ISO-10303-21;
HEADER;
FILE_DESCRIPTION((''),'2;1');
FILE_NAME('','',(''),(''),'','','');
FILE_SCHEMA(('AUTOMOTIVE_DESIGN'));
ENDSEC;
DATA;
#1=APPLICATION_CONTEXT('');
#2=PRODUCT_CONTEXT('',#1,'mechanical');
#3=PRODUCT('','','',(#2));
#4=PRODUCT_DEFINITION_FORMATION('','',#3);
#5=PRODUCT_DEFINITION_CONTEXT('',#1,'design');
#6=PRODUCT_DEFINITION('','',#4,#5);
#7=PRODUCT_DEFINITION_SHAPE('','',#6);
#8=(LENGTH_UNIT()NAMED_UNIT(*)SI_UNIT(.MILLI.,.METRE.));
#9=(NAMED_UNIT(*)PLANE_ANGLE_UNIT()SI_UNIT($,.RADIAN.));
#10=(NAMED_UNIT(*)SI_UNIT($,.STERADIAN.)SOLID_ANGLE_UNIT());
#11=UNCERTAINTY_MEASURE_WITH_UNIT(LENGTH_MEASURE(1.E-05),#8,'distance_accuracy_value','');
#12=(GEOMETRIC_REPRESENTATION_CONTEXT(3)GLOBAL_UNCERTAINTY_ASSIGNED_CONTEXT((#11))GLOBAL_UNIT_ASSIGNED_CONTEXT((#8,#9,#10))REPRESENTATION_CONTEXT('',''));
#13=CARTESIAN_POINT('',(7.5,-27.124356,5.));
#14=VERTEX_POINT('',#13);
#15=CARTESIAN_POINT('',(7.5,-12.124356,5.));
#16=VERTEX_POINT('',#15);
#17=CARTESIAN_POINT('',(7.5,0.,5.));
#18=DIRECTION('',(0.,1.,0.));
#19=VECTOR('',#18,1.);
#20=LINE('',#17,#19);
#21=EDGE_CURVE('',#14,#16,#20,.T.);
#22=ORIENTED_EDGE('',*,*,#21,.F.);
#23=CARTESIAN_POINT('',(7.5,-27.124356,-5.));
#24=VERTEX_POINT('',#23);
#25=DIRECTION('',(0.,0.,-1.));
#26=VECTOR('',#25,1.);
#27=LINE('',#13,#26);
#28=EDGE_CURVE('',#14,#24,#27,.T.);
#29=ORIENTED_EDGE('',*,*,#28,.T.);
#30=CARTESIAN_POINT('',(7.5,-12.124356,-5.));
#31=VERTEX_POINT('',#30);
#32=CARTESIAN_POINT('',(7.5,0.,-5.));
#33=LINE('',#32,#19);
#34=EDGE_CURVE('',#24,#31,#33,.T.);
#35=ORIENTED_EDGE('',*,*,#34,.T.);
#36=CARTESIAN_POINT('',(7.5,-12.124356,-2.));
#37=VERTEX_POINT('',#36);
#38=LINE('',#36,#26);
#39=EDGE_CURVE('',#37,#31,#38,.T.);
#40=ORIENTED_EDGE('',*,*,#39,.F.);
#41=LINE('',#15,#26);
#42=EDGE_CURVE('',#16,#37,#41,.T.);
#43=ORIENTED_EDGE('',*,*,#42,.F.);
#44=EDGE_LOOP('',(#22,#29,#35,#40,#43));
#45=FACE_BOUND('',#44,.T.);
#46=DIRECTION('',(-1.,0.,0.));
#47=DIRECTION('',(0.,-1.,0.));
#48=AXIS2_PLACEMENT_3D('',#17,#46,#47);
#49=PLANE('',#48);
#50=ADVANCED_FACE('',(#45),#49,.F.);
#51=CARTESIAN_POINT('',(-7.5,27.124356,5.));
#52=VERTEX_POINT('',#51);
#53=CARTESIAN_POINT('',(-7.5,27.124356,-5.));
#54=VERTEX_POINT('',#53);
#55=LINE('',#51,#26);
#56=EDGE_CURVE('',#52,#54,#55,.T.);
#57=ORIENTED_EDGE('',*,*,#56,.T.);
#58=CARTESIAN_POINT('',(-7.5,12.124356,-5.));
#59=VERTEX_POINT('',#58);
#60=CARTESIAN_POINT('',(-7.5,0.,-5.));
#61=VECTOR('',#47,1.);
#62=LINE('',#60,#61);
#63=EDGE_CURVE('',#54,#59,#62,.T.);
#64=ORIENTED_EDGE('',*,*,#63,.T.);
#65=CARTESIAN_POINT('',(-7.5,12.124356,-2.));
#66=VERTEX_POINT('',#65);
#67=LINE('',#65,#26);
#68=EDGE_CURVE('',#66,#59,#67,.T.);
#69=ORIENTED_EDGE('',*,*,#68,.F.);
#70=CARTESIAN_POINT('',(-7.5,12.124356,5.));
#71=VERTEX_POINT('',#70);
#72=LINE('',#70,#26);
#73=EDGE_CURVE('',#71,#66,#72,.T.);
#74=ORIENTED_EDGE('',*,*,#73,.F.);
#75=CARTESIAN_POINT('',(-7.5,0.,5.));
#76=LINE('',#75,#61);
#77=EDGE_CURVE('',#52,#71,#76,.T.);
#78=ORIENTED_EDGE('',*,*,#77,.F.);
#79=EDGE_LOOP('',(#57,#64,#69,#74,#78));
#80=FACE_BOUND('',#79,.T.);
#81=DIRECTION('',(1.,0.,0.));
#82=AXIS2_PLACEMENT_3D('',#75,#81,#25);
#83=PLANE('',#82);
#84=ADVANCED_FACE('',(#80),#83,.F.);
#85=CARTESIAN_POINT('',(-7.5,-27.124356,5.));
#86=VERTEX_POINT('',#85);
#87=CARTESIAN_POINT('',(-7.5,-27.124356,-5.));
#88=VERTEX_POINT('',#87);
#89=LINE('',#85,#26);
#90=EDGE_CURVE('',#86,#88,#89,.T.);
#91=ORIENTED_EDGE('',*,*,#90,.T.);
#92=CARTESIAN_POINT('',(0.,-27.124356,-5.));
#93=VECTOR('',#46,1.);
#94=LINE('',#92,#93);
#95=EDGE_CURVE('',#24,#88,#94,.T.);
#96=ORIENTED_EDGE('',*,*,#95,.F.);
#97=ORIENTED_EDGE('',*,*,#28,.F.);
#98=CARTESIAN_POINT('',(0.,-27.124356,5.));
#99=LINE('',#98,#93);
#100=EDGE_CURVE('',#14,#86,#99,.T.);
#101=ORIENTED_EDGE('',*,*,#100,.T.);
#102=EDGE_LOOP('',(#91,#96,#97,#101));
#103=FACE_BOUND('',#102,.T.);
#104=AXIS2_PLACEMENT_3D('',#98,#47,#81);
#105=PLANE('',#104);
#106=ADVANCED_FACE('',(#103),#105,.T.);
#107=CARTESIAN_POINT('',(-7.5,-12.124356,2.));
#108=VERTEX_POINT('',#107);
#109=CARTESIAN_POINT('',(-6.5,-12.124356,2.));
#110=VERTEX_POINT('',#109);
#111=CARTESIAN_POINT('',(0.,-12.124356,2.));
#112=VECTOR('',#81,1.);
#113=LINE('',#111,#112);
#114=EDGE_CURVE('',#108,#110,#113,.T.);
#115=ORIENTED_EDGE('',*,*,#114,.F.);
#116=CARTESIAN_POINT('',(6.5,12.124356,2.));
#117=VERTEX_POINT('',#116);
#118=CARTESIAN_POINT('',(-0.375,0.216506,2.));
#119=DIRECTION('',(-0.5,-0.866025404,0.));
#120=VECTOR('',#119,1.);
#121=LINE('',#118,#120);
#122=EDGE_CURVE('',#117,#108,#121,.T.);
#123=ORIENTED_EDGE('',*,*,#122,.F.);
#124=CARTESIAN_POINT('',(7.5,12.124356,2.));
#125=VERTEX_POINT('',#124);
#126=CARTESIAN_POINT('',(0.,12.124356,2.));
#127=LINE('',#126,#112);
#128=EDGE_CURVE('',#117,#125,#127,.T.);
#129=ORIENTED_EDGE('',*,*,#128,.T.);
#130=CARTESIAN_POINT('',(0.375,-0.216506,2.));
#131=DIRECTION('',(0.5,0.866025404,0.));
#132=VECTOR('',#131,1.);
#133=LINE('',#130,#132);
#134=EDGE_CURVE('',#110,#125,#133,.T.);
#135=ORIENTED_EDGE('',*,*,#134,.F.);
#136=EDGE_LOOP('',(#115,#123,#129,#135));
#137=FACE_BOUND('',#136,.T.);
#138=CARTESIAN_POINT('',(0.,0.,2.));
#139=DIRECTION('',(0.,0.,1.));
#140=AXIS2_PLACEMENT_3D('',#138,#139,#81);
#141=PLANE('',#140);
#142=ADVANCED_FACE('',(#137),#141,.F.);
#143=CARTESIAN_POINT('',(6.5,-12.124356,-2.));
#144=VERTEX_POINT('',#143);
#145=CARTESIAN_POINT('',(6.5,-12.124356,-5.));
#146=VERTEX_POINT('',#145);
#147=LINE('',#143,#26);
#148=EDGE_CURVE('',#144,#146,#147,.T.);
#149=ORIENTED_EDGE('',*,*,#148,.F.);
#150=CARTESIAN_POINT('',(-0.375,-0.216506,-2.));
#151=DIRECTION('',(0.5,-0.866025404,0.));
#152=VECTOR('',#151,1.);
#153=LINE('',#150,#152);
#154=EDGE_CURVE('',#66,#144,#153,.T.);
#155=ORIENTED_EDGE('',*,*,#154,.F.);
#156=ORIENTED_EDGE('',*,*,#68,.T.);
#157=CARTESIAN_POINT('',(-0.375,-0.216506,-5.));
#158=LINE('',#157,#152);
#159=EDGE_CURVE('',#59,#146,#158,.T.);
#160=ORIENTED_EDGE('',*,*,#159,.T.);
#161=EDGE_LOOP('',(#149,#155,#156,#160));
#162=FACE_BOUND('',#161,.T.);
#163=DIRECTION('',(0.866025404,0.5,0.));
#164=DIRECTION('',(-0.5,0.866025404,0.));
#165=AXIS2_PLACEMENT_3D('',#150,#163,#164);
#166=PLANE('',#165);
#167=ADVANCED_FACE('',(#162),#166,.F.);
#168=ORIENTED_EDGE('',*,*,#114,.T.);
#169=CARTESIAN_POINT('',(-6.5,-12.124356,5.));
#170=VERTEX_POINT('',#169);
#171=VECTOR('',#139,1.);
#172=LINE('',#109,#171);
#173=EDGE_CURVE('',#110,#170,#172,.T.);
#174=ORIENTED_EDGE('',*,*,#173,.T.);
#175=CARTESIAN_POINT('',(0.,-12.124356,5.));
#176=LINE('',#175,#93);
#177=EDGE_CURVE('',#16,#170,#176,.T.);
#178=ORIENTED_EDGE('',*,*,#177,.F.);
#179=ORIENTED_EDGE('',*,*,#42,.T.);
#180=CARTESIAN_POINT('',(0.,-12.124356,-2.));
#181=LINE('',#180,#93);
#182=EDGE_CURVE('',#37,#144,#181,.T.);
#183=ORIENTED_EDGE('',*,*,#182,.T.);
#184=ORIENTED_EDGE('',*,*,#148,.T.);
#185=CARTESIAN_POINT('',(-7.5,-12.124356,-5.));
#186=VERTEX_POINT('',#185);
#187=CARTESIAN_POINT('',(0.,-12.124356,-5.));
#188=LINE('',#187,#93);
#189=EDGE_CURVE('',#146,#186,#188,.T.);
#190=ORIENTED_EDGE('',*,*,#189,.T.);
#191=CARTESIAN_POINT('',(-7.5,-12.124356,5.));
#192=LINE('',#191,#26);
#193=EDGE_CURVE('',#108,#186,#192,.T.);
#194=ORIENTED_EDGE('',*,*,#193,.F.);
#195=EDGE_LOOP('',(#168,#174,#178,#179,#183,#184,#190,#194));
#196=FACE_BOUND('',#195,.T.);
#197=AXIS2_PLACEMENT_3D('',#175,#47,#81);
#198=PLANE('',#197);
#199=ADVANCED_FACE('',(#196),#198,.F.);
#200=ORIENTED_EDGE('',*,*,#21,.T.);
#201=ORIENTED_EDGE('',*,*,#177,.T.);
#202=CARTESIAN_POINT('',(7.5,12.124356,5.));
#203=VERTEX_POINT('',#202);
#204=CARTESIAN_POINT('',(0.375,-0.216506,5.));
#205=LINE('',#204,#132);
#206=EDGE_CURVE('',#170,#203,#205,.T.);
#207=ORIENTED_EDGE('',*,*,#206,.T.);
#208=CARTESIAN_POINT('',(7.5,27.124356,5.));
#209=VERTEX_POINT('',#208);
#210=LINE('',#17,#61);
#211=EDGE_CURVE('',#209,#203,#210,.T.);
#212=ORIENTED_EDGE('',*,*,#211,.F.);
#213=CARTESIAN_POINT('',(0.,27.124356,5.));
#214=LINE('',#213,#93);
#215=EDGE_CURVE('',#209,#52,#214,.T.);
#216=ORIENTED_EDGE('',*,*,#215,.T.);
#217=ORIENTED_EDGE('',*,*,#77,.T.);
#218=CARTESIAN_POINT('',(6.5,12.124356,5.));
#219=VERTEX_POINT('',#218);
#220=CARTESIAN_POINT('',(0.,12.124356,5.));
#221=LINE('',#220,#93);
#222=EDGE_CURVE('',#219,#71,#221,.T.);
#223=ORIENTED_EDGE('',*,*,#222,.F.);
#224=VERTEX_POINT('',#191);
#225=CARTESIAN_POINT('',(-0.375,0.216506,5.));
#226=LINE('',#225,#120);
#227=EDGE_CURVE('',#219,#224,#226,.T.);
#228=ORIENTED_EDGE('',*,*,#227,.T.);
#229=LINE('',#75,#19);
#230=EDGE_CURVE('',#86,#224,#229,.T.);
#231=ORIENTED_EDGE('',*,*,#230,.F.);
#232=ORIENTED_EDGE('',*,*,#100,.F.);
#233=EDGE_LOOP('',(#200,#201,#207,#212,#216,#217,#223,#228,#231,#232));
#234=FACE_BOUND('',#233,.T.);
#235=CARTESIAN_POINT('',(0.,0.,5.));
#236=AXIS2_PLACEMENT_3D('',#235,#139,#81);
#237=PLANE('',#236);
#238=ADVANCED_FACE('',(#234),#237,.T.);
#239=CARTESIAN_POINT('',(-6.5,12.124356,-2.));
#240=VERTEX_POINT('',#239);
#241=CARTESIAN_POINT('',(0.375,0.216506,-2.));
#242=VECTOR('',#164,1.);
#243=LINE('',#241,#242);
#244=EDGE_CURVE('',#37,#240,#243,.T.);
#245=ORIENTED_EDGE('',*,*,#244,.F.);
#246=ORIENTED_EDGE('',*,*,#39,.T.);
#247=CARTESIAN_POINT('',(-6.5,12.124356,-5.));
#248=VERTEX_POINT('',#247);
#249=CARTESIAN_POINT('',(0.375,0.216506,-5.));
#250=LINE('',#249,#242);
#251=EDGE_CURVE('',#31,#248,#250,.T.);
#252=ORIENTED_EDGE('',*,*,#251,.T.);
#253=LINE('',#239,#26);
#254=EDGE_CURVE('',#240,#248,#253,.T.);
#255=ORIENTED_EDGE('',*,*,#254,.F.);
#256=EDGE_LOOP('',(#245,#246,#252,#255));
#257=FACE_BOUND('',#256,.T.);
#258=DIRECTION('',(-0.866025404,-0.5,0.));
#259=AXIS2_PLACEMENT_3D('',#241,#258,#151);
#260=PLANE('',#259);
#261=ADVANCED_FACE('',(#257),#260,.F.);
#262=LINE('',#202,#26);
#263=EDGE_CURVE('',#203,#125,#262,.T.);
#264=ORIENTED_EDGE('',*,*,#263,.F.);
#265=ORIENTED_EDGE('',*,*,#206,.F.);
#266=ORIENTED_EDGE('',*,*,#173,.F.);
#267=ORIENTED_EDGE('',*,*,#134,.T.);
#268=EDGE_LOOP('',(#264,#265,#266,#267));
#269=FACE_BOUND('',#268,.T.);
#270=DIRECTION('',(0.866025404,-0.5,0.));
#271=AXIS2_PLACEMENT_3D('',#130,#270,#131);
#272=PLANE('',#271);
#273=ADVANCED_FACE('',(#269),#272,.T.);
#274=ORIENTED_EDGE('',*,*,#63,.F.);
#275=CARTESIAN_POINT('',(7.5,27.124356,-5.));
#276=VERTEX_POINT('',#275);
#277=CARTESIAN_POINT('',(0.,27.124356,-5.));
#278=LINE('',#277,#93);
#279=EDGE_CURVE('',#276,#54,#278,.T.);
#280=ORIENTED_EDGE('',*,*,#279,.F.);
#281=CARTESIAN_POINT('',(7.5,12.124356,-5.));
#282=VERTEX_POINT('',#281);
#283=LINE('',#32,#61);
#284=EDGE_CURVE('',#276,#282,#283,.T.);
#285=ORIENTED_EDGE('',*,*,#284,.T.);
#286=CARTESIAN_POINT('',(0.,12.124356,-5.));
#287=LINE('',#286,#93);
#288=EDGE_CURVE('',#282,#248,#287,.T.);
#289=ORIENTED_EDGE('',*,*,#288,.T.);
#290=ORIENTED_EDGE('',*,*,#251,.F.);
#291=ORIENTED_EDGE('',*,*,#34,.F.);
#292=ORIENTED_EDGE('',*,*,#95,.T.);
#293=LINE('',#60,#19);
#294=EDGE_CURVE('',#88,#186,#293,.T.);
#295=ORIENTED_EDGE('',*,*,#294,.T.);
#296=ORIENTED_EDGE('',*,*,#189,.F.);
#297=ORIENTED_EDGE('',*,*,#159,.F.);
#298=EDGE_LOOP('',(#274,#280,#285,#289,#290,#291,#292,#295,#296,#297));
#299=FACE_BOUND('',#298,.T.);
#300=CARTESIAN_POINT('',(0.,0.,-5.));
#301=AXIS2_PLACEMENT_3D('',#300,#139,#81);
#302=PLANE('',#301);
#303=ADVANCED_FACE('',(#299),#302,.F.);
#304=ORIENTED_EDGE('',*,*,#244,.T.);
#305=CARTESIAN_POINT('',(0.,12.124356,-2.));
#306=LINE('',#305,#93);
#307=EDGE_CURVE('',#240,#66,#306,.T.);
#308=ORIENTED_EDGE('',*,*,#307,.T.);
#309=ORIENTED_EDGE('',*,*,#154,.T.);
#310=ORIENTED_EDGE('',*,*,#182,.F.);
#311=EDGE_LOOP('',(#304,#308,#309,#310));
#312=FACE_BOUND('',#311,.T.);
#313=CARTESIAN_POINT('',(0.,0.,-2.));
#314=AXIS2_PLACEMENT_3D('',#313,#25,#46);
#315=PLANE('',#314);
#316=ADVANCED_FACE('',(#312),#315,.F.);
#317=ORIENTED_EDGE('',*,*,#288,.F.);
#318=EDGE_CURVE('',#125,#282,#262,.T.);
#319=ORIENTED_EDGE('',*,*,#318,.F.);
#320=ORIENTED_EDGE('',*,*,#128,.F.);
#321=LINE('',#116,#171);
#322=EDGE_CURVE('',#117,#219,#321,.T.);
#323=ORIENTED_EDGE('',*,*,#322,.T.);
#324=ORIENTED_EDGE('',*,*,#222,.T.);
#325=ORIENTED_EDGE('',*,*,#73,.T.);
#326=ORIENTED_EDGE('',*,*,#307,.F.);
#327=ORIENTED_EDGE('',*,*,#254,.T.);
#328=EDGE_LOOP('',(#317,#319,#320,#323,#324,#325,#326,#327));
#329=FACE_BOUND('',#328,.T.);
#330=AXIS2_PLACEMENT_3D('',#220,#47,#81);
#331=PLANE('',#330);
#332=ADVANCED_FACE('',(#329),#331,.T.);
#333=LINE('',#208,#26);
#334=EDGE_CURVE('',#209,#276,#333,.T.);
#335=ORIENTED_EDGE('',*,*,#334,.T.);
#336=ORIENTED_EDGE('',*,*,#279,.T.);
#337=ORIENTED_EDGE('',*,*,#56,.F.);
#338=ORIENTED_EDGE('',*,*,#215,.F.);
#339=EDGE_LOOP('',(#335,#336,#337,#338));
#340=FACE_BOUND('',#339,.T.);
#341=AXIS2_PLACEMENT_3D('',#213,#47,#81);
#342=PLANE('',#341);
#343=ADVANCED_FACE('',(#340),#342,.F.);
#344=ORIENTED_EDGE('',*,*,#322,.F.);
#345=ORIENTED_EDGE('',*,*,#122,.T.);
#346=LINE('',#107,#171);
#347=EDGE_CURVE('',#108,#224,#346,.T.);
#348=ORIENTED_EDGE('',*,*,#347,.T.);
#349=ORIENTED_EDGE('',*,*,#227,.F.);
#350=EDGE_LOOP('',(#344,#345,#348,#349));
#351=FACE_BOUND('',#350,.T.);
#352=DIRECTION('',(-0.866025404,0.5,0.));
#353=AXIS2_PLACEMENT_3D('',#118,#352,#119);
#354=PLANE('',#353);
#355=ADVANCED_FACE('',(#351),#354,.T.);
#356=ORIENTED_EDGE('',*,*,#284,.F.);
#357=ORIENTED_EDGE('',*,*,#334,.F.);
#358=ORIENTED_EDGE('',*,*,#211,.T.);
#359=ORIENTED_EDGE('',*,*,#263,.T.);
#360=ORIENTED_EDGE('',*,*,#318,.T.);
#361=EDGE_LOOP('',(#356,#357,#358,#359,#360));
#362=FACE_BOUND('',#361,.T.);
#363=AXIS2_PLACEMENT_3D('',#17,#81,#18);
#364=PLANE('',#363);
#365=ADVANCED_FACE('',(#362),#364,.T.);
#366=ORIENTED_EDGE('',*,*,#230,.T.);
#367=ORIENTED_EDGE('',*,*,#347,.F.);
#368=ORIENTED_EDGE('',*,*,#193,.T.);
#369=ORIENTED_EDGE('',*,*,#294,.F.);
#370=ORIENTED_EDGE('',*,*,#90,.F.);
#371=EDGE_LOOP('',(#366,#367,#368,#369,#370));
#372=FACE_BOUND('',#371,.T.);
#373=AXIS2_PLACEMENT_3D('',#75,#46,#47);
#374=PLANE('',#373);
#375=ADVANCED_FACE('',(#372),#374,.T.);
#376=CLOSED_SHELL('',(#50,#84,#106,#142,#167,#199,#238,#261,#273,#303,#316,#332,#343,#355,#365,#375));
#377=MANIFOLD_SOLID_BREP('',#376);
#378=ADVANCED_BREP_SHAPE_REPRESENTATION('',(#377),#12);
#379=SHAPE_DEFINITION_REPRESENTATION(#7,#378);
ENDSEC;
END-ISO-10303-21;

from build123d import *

# Parameters (mm, degrees)
SKETCH1_W             = 15
SKETCH1_H             = 15
BOSS_EXTRUDE1_DEPTH   = 5
BOSS_EXTRUDE1_2_DEPTH = 5
BOSS_EXTRUDE2_START   = 5
BOSS_EXTRUDE2_DEPTH   = 3
BOSS_EXTRUDE3_START   = -5
BOSS_EXTRUDE3_DEPTH   = 3


with BuildPart() as part:
    # Sketch1 → Boss-Extrude1 (new, symmetric)
    with BuildSketch(Plane.XY):
        with Locations((0, 19.624355653)):
            Rectangle(SKETCH1_W, SKETCH1_H)
    extrude(amount=BOSS_EXTRUDE1_DEPTH, both=True)



with BuildPart() as body_2:
    # Sketch1 → Boss-Extrude1 2 (new, symmetric)
    with BuildSketch(Plane.XY):
        with Locations((0, -19.624355653)):
            Rectangle(SKETCH1_W, SKETCH1_H)
    extrude(amount=BOSS_EXTRUDE1_2_DEPTH, both=True)


with BuildPart() as part_1:
    add(part.part)

    add(body_2.part)  # Boss-Extrude2 merges body 2
    # Sketch1<3> → Boss-Extrude2 (add)
    with BuildSketch(Plane.XY.offset(BOSS_EXTRUDE2_START)):
        Polygon((-6.5, -12.124355653), (0, -0.866025404), (-0.5, 0), (-7.5, -12.124355653), align=None)
        Polygon((0.5, 0), (7.5, 12.124355653), (6.5, 12.124355653), (0, 0.866025404), align=None)
        Polygon((0, -0.866025404), (0.5, 0), (0, 0.866025404), (-0.5, 0), align=None)
    extrude(amount=-BOSS_EXTRUDE2_DEPTH)

    # Sketch1<4> → Boss-Extrude3 (add)
    with BuildSketch(Plane.XY.offset(BOSS_EXTRUDE3_START)):
        Polygon((0, 0.866025404), (-6.5, 12.124355653), (-7.5, 12.124355653), (-0.5, 0), align=None)
        Polygon((7.5, -12.124355653), (0.5, 0), (0, -0.866025404), (6.5, -12.124355653), align=None)
        Polygon((0, -0.866025404), (0.5, 0), (0, 0.866025404), (-0.5, 0), align=None)
    extrude(amount=BOSS_EXTRUDE3_DEPTH)


solid = part_1.part
